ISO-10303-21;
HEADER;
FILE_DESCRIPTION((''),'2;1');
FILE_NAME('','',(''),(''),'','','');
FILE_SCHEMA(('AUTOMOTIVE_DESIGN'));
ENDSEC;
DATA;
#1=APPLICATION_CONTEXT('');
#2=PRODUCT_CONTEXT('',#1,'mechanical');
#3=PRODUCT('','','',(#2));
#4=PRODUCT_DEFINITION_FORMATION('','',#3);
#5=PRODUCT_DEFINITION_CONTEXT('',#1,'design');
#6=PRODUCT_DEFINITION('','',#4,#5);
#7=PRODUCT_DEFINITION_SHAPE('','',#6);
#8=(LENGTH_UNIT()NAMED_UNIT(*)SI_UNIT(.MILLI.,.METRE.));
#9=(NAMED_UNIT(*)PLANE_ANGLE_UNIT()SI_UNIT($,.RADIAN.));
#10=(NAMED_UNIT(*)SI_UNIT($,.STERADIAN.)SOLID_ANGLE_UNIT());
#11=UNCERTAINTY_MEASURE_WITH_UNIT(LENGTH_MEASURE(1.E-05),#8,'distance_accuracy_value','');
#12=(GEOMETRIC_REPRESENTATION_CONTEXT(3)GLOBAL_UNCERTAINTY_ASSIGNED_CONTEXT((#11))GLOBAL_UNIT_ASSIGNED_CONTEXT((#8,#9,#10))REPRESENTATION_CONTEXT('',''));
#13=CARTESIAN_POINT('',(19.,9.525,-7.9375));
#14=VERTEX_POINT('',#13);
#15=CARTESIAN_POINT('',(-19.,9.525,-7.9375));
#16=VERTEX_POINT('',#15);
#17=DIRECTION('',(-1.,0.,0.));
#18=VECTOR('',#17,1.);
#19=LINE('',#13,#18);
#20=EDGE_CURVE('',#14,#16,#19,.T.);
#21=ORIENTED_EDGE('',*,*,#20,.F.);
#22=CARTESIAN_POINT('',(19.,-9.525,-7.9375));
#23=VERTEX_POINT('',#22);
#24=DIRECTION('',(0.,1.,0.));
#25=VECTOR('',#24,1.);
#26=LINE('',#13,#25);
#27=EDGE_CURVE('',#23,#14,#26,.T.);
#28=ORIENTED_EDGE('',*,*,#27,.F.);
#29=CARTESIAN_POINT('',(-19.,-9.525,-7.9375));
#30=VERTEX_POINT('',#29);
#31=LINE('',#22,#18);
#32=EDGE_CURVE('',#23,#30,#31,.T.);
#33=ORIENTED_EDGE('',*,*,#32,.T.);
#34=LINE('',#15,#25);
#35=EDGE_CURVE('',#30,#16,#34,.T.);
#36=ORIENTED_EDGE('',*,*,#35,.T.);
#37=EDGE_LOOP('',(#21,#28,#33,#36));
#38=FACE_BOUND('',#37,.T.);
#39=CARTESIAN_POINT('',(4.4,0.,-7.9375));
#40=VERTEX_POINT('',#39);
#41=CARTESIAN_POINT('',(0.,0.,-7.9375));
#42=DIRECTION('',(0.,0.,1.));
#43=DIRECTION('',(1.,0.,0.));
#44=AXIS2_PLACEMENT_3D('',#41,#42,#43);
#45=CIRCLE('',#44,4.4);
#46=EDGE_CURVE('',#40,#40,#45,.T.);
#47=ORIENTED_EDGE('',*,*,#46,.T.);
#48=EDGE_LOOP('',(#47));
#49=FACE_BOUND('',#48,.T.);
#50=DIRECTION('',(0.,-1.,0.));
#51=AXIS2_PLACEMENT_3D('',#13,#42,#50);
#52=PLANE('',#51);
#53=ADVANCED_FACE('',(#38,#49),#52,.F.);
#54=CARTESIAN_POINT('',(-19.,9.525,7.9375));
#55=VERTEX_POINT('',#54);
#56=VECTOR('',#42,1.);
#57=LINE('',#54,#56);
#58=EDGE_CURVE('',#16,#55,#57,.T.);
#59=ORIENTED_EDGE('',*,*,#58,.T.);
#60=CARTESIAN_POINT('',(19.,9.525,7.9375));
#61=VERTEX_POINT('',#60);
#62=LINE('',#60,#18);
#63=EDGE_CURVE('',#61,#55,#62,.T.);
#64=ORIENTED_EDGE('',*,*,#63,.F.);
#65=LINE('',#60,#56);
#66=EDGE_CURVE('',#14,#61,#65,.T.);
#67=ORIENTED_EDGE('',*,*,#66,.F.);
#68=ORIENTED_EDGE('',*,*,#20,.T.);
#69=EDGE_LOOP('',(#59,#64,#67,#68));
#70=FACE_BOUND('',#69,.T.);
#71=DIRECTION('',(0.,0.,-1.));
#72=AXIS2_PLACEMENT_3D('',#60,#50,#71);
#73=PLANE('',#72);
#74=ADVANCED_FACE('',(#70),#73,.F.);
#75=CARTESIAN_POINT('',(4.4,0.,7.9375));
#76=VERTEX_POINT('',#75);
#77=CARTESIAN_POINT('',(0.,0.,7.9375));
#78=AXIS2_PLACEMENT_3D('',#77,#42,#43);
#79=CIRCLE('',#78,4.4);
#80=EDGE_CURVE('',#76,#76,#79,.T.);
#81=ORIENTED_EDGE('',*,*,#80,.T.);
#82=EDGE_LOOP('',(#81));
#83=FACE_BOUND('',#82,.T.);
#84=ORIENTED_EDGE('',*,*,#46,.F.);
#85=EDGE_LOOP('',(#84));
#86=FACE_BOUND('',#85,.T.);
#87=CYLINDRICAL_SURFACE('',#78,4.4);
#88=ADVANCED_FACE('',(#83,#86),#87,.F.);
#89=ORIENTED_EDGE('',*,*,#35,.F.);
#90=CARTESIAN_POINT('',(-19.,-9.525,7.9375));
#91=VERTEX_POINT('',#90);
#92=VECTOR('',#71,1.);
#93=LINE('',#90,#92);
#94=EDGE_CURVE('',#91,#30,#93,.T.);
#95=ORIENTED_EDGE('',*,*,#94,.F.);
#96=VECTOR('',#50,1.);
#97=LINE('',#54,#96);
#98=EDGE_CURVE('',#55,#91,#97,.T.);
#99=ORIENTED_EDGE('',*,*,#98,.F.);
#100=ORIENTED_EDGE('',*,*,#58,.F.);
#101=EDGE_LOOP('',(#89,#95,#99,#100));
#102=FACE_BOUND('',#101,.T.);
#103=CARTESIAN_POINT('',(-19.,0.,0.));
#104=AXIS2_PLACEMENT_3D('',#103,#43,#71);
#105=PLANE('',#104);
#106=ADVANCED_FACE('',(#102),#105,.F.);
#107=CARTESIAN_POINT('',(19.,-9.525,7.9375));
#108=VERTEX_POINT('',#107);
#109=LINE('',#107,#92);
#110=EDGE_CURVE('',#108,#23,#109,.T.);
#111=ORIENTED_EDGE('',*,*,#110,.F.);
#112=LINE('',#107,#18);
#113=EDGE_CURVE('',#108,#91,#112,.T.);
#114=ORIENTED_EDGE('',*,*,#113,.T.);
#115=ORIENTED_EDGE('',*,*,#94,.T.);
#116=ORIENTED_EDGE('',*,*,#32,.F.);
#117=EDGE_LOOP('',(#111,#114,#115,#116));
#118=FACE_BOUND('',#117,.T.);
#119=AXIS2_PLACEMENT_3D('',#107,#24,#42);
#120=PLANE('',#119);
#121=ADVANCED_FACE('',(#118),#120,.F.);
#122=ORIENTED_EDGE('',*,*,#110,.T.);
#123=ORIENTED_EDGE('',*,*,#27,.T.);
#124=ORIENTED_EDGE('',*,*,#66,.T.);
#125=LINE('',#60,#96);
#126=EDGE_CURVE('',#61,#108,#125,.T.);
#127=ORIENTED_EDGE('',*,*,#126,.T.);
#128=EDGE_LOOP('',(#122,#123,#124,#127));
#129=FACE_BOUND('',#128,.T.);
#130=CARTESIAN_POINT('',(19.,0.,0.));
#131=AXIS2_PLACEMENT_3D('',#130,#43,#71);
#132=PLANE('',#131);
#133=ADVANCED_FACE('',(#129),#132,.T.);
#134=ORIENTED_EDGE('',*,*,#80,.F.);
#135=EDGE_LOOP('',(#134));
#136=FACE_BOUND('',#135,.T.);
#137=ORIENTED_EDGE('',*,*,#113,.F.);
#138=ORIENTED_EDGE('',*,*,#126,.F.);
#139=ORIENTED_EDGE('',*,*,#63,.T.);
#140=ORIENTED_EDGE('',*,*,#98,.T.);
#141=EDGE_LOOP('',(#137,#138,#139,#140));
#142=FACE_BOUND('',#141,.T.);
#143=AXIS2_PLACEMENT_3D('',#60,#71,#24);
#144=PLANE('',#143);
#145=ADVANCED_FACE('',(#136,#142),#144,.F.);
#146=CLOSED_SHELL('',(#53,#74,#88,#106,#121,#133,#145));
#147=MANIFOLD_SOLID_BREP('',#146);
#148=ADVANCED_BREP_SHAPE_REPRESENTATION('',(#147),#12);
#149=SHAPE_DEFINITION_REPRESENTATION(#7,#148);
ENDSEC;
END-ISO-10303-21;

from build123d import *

# Parameters (mm, degrees)
SKETCH1_W               = 15.875
SKETCH1_H               = 19.05
BOSS_EXTRUDE1_DEPTH     = 19
M10X1_25_TAPPED_HOLE1_D = 8.8


with BuildPart() as part:
    # Sketch1 → Boss-Extrude1 (new, symmetric)
    with BuildSketch(Plane(origin=(0, 0, 0), x_dir=(0, 0, -1), z_dir=(1, 0, 0))):
        Rectangle(SKETCH1_W, SKETCH1_H)
    extrude(amount=BOSS_EXTRUDE1_DEPTH, both=True)

    # M10x1.25 Tapped Hole1 (through all)
    with Locations(Plane.XY.offset(7.9375)):
        with Locations((0, 0)):
            Hole(M10X1_25_TAPPED_HOLE1_D / 2)


solid = part.part
